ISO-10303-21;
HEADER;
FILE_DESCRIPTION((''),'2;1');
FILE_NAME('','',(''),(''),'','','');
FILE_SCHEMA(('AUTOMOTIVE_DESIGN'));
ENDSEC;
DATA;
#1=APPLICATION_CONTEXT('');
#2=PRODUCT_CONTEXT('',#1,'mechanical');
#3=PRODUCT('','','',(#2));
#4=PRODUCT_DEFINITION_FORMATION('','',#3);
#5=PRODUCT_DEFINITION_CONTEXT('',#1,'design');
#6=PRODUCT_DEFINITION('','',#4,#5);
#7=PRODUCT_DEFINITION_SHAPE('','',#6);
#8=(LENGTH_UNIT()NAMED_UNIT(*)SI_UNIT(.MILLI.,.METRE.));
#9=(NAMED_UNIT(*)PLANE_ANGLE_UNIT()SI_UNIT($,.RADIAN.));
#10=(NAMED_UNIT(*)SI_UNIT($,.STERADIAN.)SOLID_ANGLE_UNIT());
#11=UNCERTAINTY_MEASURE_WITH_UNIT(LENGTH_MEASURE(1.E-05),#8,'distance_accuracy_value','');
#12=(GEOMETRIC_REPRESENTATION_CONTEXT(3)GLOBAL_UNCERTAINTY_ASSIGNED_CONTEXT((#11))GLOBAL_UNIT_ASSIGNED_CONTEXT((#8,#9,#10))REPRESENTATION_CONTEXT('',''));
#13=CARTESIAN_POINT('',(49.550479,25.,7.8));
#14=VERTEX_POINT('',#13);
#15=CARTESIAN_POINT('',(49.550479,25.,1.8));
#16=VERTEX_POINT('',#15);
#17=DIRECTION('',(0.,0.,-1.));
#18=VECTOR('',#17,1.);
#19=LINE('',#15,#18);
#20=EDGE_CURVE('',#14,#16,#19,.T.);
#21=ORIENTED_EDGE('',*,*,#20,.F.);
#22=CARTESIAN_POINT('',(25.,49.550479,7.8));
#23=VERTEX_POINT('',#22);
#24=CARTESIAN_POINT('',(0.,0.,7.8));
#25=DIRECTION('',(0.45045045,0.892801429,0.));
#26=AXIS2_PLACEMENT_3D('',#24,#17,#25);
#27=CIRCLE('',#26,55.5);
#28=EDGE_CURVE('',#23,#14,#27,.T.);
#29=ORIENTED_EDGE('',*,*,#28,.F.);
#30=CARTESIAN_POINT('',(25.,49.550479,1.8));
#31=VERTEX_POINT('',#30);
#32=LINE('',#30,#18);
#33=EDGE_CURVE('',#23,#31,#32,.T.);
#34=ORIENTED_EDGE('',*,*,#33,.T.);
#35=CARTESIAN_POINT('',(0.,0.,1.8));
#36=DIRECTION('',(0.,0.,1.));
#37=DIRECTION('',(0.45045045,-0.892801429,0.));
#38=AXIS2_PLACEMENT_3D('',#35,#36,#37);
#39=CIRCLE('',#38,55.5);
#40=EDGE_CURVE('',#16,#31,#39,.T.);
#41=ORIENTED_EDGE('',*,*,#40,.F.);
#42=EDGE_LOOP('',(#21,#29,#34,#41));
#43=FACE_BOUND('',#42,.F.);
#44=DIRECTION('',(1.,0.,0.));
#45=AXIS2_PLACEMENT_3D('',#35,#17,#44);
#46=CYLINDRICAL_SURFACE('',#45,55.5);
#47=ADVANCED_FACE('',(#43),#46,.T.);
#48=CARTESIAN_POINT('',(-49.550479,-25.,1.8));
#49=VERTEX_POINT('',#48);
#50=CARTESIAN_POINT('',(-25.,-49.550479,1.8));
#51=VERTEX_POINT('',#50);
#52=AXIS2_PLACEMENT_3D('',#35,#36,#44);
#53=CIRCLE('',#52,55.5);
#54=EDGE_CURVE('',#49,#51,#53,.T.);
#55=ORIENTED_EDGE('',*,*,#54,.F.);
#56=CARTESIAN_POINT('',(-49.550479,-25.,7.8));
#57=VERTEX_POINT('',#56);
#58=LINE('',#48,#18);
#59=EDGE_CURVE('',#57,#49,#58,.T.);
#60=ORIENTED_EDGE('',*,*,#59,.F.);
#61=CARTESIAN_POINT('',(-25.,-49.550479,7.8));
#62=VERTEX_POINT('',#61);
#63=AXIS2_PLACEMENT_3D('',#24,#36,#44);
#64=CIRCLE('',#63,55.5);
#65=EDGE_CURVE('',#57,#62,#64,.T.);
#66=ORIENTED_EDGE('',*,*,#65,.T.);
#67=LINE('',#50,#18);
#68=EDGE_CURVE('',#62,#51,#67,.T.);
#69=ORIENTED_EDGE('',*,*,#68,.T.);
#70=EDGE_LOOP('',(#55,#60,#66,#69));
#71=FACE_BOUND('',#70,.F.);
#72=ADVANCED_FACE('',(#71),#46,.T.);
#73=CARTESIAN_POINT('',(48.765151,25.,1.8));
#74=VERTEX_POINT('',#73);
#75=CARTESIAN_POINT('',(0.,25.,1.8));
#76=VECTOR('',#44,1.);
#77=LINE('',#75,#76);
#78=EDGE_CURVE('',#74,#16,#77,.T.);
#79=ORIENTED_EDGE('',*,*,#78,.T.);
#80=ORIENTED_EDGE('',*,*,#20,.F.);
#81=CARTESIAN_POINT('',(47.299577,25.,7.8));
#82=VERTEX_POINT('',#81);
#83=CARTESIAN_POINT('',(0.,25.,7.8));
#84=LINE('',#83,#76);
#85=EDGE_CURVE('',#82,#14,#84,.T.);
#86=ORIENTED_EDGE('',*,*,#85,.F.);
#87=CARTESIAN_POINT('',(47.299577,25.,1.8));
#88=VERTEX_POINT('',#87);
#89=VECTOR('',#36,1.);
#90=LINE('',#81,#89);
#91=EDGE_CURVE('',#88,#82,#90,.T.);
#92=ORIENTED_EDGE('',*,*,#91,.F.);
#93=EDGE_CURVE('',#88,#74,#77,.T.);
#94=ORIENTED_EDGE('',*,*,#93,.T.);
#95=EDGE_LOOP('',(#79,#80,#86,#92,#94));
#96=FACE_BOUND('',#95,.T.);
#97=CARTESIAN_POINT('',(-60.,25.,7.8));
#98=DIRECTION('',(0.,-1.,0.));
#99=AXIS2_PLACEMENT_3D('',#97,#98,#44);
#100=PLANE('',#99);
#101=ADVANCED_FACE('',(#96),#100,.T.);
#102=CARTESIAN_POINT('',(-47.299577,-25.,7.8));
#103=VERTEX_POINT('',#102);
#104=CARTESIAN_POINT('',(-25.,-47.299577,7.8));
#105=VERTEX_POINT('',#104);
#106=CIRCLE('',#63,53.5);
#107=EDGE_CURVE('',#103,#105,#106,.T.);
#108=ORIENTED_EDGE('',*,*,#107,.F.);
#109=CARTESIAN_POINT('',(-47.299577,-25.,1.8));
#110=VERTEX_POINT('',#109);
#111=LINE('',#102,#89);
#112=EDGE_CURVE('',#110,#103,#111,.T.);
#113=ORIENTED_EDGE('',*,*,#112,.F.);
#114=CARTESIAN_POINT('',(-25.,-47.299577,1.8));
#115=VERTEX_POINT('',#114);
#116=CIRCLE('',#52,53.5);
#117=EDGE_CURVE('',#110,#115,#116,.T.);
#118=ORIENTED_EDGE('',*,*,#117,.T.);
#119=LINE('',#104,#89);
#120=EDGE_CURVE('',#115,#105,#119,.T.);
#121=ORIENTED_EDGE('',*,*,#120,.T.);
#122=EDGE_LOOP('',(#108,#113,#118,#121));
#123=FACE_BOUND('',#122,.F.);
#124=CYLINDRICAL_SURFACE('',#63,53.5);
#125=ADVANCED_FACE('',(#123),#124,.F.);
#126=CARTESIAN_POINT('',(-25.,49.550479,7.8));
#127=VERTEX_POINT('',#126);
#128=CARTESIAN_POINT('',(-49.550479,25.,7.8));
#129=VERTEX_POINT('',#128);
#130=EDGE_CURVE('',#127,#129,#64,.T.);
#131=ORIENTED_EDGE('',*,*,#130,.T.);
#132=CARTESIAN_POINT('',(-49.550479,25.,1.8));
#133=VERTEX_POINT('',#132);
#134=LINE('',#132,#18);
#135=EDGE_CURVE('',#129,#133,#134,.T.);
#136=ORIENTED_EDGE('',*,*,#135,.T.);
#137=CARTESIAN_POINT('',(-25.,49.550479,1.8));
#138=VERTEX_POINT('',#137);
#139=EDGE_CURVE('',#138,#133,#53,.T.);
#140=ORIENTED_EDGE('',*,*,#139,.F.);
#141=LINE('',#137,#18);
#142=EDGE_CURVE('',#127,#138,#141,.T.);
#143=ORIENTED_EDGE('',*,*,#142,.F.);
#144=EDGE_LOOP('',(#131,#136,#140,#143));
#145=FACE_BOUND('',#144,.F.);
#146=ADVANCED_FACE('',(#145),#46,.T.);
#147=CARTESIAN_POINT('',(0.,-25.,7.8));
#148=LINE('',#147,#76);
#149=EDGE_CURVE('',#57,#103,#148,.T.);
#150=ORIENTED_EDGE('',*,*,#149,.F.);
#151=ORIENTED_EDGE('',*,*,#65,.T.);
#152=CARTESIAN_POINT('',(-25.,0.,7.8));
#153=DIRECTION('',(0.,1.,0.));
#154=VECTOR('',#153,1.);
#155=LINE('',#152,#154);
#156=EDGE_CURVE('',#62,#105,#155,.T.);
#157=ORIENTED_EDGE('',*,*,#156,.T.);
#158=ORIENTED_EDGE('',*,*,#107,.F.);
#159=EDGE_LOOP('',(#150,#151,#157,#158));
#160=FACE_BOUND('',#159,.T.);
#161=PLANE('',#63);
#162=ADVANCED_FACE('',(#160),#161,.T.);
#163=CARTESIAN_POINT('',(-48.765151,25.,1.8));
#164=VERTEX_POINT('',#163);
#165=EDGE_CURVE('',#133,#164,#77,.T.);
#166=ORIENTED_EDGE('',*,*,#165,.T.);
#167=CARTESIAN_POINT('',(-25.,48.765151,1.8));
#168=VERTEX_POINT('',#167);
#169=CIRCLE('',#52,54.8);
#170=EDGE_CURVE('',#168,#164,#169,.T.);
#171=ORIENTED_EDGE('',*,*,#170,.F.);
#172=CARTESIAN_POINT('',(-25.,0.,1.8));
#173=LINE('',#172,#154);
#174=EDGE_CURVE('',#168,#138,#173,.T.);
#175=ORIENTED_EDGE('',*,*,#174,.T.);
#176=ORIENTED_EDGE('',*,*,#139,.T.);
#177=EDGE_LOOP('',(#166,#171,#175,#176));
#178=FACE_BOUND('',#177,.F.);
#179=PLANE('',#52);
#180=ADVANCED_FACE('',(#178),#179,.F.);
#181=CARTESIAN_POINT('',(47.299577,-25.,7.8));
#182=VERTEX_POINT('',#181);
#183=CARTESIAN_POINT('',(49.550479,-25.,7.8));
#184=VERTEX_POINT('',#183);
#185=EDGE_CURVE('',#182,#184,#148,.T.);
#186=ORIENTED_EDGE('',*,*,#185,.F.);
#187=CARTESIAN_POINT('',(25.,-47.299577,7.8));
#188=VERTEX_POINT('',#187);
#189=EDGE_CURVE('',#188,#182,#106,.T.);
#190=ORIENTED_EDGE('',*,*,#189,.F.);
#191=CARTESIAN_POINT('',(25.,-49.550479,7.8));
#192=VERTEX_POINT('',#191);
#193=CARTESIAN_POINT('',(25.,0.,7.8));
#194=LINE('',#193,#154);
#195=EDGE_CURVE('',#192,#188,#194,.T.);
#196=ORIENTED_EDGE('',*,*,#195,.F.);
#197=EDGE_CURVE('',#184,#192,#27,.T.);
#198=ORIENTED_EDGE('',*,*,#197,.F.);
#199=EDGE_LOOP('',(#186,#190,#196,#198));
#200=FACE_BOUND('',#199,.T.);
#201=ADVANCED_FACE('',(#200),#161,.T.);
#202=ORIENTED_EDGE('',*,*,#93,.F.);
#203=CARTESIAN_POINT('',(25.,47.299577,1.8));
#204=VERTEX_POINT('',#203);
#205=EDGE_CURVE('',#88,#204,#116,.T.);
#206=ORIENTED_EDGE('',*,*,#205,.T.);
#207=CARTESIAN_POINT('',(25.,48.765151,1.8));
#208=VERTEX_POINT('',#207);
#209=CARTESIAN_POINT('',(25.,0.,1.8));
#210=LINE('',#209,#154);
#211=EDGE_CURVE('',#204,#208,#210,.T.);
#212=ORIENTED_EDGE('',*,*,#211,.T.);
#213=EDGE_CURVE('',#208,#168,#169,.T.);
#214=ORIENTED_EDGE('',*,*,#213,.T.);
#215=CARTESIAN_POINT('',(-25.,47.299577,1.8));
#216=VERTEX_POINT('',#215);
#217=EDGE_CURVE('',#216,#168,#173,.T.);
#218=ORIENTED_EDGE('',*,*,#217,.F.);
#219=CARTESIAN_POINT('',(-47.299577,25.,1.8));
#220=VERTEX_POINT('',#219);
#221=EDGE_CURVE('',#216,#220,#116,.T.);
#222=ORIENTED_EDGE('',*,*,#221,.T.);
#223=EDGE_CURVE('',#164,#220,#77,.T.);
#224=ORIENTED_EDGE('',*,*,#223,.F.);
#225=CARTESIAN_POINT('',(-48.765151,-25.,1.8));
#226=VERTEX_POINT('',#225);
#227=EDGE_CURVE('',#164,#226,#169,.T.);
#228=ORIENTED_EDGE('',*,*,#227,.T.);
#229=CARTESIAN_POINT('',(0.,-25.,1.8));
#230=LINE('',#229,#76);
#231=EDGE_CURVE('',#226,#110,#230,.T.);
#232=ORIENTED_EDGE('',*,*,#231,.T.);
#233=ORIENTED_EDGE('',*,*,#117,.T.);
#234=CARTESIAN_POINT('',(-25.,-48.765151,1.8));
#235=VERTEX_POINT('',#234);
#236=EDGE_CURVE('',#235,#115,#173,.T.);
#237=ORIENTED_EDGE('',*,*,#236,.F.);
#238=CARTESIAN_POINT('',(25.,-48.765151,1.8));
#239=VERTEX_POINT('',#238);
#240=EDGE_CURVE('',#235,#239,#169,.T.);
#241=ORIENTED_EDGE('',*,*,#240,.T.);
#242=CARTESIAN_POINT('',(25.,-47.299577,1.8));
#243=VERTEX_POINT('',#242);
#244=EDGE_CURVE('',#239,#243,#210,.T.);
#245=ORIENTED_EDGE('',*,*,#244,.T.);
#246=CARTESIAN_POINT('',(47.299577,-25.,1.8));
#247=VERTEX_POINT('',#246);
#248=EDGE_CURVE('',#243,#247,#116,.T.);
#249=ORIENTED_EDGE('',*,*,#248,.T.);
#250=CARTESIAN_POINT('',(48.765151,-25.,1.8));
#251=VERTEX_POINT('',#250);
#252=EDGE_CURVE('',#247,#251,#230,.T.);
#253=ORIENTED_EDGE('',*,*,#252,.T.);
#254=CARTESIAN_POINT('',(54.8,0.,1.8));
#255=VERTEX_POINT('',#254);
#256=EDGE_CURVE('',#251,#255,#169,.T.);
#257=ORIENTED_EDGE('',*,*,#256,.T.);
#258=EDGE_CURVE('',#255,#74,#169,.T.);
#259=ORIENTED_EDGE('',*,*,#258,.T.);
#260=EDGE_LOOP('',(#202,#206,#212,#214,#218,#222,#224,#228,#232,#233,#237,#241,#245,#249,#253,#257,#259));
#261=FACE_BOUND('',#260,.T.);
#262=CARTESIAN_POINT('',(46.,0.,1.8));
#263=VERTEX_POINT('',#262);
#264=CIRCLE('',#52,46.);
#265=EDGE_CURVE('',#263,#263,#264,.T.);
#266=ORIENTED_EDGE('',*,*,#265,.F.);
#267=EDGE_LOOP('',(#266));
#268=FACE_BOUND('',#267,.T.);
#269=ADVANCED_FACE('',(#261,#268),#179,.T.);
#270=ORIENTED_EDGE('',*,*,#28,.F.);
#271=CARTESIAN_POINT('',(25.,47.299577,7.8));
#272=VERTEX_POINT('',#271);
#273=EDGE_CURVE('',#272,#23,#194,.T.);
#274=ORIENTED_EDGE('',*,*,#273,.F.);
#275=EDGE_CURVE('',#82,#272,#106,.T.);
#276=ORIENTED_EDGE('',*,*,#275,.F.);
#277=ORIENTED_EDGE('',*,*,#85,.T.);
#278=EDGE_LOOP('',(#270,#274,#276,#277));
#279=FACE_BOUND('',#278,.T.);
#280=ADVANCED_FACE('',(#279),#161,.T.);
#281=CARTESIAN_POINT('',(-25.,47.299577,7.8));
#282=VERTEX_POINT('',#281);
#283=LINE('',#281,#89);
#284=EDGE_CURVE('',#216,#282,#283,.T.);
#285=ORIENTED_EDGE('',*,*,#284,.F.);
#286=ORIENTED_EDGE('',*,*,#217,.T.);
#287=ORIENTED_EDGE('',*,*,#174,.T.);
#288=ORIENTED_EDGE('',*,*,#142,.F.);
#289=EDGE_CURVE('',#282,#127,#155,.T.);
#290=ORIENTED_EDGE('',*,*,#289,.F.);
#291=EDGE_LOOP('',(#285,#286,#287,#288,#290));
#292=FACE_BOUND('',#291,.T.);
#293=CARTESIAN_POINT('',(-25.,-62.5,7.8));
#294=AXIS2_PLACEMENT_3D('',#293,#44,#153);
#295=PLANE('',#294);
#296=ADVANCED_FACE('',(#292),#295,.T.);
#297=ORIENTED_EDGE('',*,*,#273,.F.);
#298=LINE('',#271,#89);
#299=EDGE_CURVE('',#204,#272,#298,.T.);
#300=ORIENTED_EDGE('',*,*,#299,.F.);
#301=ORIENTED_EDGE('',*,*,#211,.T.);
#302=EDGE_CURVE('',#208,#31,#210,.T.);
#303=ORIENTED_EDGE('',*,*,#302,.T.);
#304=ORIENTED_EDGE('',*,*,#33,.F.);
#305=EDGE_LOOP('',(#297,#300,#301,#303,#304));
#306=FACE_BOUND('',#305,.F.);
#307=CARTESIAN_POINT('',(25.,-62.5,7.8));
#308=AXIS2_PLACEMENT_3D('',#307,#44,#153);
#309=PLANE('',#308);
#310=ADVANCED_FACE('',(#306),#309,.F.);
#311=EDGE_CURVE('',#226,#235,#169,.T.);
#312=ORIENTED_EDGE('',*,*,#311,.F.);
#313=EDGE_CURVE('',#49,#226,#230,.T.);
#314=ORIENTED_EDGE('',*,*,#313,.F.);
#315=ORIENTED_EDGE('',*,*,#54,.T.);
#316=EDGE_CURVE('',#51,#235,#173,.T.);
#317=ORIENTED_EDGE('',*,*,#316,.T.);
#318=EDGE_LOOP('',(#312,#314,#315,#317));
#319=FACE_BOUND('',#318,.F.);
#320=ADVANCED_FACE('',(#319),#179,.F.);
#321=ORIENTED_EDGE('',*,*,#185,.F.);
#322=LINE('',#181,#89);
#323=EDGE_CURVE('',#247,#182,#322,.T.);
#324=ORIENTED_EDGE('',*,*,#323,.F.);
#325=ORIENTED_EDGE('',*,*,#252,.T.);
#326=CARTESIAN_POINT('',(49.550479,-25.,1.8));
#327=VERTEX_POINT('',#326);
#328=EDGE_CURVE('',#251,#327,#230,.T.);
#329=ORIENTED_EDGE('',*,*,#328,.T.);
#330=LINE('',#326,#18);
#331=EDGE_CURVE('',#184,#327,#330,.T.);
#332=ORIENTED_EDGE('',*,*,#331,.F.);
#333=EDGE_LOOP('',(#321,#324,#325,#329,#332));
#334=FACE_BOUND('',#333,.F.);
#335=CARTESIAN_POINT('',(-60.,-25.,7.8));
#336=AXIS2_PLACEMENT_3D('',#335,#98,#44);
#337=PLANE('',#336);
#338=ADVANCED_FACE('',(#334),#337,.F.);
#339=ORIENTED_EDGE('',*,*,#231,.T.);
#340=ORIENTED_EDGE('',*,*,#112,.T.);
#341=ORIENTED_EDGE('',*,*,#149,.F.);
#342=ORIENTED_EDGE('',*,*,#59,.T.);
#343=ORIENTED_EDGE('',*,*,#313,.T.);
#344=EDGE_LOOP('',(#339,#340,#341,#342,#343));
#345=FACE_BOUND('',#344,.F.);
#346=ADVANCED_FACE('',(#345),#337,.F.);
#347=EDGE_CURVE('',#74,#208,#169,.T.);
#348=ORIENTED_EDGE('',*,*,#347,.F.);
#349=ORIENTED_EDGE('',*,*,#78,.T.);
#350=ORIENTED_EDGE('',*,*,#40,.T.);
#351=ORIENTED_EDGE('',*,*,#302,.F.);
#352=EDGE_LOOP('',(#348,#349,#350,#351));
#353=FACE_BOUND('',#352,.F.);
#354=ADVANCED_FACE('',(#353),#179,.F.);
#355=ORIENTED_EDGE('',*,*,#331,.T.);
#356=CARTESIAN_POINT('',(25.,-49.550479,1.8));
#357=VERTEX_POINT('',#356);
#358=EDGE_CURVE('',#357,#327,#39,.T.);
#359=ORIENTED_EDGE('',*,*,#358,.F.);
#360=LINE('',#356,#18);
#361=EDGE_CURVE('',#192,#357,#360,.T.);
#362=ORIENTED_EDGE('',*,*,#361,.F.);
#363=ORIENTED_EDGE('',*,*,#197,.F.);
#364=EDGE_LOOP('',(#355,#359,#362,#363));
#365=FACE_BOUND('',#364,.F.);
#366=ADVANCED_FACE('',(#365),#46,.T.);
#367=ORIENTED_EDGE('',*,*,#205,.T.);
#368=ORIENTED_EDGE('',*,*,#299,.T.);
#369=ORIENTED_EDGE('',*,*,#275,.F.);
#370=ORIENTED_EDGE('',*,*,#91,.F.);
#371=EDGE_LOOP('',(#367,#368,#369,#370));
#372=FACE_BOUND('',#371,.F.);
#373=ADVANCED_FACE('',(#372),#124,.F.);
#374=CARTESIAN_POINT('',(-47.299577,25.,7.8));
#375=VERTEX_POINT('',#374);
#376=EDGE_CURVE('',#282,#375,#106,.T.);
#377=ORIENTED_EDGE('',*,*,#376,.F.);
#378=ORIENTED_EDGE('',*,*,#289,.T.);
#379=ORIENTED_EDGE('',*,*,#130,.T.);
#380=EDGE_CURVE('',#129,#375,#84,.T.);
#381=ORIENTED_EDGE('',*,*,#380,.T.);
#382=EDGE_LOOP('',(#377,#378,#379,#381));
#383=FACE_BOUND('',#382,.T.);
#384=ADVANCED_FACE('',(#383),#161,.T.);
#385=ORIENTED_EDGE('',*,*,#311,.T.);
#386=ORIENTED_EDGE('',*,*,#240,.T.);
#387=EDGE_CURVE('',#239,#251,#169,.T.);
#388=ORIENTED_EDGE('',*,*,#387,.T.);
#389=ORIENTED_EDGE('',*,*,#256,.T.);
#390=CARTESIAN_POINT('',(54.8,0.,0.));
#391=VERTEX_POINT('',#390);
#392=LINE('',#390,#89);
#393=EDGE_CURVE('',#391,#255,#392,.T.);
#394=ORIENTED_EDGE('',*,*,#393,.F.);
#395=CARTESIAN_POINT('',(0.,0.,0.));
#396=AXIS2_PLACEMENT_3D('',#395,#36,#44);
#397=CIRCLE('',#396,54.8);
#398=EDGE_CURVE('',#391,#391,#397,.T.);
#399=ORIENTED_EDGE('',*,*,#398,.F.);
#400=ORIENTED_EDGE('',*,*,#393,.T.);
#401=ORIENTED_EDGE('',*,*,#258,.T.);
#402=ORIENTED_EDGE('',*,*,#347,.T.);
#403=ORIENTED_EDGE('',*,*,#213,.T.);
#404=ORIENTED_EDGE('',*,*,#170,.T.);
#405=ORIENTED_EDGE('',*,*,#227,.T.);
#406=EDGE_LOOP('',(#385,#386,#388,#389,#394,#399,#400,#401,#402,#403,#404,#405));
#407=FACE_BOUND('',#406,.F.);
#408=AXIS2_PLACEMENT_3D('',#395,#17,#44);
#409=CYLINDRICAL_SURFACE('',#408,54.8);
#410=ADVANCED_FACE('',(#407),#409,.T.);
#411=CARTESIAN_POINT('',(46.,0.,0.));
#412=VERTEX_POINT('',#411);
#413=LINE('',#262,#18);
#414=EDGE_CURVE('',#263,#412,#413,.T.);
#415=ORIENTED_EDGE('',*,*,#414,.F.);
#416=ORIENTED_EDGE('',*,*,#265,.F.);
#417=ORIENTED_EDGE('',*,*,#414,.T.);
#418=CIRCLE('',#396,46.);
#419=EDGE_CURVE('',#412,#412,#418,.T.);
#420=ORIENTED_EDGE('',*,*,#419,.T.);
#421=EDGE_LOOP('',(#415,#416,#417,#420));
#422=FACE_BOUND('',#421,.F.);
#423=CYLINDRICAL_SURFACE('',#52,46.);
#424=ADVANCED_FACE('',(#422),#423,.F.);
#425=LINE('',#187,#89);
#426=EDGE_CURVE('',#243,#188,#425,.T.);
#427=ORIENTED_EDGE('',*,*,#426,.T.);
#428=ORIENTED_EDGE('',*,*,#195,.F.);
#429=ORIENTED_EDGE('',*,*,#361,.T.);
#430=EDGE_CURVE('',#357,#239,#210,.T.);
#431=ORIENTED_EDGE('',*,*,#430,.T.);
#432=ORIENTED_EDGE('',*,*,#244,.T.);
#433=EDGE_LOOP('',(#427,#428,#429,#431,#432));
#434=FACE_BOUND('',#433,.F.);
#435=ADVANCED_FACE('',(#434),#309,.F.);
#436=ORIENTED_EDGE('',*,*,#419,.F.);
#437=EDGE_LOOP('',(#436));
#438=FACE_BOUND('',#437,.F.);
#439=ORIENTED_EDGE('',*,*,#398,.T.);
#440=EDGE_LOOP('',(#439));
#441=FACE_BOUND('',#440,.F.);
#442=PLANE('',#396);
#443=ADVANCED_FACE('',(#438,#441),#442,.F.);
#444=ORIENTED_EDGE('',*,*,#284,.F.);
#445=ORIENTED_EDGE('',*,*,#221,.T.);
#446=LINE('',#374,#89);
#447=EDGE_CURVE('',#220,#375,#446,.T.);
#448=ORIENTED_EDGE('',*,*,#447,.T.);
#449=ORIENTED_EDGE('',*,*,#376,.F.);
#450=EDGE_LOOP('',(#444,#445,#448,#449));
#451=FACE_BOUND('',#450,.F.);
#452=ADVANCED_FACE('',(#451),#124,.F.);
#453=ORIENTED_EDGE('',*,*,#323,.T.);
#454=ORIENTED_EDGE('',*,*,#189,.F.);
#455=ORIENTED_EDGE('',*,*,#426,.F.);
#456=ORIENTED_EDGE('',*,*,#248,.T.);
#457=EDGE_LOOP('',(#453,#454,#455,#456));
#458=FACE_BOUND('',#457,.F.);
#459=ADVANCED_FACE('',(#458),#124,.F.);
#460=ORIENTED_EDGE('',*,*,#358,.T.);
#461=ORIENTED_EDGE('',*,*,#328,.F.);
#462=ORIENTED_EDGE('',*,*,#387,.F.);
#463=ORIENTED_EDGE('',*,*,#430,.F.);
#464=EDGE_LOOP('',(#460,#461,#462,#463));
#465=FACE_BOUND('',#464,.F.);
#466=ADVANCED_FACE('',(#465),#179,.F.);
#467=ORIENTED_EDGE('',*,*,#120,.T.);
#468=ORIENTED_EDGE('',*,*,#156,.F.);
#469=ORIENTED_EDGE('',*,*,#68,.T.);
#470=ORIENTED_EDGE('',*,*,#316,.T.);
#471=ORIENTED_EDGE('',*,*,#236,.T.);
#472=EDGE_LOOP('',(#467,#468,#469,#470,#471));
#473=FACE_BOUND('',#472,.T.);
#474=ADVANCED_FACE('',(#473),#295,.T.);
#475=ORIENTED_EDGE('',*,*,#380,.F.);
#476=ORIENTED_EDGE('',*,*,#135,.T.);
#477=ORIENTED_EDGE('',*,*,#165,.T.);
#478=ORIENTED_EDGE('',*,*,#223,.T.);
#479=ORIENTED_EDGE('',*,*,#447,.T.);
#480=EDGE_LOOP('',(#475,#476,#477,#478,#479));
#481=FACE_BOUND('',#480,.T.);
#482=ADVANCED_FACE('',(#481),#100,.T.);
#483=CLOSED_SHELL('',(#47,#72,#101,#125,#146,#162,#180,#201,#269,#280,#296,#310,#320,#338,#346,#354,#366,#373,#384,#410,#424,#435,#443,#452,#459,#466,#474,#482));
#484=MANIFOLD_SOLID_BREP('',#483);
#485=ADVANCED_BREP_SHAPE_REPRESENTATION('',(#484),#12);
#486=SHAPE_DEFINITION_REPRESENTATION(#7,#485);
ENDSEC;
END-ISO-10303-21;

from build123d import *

# Parameters (mm, degrees)
F0_R      = 54.8
F1_DEPTH  = 1.8
F2_R      = 55.5
F3_DEPTH  = 6
F4_W      = 50
F4_H      = 125
F5_DEPTH  = 6
F6_W      = 120
F6_H      = 50
F7_DEPTH  = 6
F8_R      = 53.5
F9_DEPTH  = 6
F10_R     = 46
F11_DEPTH = 25


with BuildPart() as f1:
    # F0 (on Top) → F1 (new body)
    with BuildSketch(Plane.XY):
        Circle(F0_R)
    extrude(amount=F1_DEPTH)

    # F2 (on face) → F3 (join)
    with BuildSketch(Plane.XY.offset(1.8)):
        Circle(F2_R)
    extrude(amount=F3_DEPTH)

    # F4 (on face) → F5 (cut)
    with BuildSketch(Plane.XY.offset(7.8)):
        Rectangle(F4_W, F4_H)
    extrude(amount=-F5_DEPTH, mode=Mode.SUBTRACT)

    # F6 (on face) → F7 (cut)
    with BuildSketch(Plane.XY.offset(7.8)):
        Rectangle(F6_W, F6_H)
    extrude(amount=-F7_DEPTH, mode=Mode.SUBTRACT)

    # F8 (on face) → F9 (cut)
    with BuildSketch(Plane.XY.offset(7.8)):
        Circle(F8_R)
    extrude(amount=-F9_DEPTH, mode=Mode.SUBTRACT)

    # F10 (on face) → F11 (cut)
    with BuildSketch(Plane.XY.offset(1.8)):
        Circle(F10_R)
    extrude(amount=-F11_DEPTH, mode=Mode.SUBTRACT)


solid = f1.part
